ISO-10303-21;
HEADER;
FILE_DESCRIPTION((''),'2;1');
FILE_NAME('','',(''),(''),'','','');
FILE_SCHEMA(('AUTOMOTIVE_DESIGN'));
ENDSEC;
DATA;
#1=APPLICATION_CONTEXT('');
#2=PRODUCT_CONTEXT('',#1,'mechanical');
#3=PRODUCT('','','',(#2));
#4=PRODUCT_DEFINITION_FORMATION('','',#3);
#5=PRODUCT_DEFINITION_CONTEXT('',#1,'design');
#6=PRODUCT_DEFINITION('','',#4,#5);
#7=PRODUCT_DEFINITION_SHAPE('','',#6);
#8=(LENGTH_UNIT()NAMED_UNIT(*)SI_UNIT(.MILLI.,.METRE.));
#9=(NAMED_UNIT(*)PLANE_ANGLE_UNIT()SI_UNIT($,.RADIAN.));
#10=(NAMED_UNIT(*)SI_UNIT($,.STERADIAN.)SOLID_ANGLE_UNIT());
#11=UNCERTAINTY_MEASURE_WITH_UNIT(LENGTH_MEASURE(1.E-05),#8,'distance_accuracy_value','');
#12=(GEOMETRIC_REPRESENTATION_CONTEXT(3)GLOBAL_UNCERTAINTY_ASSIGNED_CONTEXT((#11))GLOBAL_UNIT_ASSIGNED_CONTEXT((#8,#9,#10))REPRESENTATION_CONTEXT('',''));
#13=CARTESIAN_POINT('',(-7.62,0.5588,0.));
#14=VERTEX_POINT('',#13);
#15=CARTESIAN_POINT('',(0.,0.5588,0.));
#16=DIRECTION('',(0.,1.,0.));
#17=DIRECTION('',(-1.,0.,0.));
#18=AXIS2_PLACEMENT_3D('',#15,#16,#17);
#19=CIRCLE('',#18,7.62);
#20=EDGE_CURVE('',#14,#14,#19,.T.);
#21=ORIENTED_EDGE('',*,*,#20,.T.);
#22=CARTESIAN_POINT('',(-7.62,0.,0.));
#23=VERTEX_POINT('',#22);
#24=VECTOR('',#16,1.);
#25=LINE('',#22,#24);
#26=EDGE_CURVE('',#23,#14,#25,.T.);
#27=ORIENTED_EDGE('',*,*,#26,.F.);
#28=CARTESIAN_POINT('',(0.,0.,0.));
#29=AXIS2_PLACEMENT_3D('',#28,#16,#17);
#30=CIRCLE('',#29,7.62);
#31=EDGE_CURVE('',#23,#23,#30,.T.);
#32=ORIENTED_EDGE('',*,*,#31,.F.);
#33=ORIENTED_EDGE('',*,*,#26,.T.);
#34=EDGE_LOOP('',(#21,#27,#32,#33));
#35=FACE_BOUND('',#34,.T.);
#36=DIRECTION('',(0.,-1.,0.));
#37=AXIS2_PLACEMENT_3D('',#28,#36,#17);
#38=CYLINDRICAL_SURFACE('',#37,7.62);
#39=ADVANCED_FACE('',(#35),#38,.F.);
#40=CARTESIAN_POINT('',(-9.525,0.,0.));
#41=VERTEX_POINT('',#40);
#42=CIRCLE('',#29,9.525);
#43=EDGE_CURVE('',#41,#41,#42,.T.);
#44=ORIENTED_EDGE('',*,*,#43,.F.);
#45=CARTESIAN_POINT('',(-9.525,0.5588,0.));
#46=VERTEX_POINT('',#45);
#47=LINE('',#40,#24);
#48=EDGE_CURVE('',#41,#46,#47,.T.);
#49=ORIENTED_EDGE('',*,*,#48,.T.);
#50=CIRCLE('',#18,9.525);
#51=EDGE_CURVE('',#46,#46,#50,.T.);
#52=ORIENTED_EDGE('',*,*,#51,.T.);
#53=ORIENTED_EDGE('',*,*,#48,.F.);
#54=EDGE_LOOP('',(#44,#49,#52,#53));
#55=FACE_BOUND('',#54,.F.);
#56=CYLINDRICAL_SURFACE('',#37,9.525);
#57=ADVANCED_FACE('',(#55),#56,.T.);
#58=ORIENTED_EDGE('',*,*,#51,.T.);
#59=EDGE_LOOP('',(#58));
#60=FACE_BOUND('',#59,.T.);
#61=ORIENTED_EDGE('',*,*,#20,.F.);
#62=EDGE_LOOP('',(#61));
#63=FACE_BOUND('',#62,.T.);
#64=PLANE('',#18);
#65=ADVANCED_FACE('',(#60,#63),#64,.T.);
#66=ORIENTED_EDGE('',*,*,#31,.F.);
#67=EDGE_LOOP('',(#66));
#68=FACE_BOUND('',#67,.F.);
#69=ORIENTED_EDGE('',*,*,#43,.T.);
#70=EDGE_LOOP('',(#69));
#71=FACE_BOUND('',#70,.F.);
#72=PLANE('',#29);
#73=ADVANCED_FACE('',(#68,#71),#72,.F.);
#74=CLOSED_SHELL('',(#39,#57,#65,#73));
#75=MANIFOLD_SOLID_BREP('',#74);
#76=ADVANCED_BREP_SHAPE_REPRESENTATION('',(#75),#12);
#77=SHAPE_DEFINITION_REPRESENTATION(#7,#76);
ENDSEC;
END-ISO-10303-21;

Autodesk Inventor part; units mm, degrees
ref_plane "YZ Plane" through (0, 0, 0) normal (1, 0, 0) x (0, 1, 0)
ref_plane "XZ Plane" through (0, 0, 0) normal (0, 1, 0) x (-1, 0, 0)
ref_plane "XY Plane" through (0, 0, 0) normal (0, 0, 1) x (1, 0, 0)
sketch "Sketch1" plane through (0, 0, 0) normal (0, 1, 0) x (-1, 0, 0)
  circle A0 centre (0, 0) radius 7.62
  circle A1 centre (0, 0) radius 9.525
  dimension "d0" = 15.24
  dimension "d1" = 19.05
extrude "Extrusion1" add sketch "Sketch1" along normal blind 0.5588
properties part number "ELEV_022_WASHER1(3DP)" material "ABS Plastic"
